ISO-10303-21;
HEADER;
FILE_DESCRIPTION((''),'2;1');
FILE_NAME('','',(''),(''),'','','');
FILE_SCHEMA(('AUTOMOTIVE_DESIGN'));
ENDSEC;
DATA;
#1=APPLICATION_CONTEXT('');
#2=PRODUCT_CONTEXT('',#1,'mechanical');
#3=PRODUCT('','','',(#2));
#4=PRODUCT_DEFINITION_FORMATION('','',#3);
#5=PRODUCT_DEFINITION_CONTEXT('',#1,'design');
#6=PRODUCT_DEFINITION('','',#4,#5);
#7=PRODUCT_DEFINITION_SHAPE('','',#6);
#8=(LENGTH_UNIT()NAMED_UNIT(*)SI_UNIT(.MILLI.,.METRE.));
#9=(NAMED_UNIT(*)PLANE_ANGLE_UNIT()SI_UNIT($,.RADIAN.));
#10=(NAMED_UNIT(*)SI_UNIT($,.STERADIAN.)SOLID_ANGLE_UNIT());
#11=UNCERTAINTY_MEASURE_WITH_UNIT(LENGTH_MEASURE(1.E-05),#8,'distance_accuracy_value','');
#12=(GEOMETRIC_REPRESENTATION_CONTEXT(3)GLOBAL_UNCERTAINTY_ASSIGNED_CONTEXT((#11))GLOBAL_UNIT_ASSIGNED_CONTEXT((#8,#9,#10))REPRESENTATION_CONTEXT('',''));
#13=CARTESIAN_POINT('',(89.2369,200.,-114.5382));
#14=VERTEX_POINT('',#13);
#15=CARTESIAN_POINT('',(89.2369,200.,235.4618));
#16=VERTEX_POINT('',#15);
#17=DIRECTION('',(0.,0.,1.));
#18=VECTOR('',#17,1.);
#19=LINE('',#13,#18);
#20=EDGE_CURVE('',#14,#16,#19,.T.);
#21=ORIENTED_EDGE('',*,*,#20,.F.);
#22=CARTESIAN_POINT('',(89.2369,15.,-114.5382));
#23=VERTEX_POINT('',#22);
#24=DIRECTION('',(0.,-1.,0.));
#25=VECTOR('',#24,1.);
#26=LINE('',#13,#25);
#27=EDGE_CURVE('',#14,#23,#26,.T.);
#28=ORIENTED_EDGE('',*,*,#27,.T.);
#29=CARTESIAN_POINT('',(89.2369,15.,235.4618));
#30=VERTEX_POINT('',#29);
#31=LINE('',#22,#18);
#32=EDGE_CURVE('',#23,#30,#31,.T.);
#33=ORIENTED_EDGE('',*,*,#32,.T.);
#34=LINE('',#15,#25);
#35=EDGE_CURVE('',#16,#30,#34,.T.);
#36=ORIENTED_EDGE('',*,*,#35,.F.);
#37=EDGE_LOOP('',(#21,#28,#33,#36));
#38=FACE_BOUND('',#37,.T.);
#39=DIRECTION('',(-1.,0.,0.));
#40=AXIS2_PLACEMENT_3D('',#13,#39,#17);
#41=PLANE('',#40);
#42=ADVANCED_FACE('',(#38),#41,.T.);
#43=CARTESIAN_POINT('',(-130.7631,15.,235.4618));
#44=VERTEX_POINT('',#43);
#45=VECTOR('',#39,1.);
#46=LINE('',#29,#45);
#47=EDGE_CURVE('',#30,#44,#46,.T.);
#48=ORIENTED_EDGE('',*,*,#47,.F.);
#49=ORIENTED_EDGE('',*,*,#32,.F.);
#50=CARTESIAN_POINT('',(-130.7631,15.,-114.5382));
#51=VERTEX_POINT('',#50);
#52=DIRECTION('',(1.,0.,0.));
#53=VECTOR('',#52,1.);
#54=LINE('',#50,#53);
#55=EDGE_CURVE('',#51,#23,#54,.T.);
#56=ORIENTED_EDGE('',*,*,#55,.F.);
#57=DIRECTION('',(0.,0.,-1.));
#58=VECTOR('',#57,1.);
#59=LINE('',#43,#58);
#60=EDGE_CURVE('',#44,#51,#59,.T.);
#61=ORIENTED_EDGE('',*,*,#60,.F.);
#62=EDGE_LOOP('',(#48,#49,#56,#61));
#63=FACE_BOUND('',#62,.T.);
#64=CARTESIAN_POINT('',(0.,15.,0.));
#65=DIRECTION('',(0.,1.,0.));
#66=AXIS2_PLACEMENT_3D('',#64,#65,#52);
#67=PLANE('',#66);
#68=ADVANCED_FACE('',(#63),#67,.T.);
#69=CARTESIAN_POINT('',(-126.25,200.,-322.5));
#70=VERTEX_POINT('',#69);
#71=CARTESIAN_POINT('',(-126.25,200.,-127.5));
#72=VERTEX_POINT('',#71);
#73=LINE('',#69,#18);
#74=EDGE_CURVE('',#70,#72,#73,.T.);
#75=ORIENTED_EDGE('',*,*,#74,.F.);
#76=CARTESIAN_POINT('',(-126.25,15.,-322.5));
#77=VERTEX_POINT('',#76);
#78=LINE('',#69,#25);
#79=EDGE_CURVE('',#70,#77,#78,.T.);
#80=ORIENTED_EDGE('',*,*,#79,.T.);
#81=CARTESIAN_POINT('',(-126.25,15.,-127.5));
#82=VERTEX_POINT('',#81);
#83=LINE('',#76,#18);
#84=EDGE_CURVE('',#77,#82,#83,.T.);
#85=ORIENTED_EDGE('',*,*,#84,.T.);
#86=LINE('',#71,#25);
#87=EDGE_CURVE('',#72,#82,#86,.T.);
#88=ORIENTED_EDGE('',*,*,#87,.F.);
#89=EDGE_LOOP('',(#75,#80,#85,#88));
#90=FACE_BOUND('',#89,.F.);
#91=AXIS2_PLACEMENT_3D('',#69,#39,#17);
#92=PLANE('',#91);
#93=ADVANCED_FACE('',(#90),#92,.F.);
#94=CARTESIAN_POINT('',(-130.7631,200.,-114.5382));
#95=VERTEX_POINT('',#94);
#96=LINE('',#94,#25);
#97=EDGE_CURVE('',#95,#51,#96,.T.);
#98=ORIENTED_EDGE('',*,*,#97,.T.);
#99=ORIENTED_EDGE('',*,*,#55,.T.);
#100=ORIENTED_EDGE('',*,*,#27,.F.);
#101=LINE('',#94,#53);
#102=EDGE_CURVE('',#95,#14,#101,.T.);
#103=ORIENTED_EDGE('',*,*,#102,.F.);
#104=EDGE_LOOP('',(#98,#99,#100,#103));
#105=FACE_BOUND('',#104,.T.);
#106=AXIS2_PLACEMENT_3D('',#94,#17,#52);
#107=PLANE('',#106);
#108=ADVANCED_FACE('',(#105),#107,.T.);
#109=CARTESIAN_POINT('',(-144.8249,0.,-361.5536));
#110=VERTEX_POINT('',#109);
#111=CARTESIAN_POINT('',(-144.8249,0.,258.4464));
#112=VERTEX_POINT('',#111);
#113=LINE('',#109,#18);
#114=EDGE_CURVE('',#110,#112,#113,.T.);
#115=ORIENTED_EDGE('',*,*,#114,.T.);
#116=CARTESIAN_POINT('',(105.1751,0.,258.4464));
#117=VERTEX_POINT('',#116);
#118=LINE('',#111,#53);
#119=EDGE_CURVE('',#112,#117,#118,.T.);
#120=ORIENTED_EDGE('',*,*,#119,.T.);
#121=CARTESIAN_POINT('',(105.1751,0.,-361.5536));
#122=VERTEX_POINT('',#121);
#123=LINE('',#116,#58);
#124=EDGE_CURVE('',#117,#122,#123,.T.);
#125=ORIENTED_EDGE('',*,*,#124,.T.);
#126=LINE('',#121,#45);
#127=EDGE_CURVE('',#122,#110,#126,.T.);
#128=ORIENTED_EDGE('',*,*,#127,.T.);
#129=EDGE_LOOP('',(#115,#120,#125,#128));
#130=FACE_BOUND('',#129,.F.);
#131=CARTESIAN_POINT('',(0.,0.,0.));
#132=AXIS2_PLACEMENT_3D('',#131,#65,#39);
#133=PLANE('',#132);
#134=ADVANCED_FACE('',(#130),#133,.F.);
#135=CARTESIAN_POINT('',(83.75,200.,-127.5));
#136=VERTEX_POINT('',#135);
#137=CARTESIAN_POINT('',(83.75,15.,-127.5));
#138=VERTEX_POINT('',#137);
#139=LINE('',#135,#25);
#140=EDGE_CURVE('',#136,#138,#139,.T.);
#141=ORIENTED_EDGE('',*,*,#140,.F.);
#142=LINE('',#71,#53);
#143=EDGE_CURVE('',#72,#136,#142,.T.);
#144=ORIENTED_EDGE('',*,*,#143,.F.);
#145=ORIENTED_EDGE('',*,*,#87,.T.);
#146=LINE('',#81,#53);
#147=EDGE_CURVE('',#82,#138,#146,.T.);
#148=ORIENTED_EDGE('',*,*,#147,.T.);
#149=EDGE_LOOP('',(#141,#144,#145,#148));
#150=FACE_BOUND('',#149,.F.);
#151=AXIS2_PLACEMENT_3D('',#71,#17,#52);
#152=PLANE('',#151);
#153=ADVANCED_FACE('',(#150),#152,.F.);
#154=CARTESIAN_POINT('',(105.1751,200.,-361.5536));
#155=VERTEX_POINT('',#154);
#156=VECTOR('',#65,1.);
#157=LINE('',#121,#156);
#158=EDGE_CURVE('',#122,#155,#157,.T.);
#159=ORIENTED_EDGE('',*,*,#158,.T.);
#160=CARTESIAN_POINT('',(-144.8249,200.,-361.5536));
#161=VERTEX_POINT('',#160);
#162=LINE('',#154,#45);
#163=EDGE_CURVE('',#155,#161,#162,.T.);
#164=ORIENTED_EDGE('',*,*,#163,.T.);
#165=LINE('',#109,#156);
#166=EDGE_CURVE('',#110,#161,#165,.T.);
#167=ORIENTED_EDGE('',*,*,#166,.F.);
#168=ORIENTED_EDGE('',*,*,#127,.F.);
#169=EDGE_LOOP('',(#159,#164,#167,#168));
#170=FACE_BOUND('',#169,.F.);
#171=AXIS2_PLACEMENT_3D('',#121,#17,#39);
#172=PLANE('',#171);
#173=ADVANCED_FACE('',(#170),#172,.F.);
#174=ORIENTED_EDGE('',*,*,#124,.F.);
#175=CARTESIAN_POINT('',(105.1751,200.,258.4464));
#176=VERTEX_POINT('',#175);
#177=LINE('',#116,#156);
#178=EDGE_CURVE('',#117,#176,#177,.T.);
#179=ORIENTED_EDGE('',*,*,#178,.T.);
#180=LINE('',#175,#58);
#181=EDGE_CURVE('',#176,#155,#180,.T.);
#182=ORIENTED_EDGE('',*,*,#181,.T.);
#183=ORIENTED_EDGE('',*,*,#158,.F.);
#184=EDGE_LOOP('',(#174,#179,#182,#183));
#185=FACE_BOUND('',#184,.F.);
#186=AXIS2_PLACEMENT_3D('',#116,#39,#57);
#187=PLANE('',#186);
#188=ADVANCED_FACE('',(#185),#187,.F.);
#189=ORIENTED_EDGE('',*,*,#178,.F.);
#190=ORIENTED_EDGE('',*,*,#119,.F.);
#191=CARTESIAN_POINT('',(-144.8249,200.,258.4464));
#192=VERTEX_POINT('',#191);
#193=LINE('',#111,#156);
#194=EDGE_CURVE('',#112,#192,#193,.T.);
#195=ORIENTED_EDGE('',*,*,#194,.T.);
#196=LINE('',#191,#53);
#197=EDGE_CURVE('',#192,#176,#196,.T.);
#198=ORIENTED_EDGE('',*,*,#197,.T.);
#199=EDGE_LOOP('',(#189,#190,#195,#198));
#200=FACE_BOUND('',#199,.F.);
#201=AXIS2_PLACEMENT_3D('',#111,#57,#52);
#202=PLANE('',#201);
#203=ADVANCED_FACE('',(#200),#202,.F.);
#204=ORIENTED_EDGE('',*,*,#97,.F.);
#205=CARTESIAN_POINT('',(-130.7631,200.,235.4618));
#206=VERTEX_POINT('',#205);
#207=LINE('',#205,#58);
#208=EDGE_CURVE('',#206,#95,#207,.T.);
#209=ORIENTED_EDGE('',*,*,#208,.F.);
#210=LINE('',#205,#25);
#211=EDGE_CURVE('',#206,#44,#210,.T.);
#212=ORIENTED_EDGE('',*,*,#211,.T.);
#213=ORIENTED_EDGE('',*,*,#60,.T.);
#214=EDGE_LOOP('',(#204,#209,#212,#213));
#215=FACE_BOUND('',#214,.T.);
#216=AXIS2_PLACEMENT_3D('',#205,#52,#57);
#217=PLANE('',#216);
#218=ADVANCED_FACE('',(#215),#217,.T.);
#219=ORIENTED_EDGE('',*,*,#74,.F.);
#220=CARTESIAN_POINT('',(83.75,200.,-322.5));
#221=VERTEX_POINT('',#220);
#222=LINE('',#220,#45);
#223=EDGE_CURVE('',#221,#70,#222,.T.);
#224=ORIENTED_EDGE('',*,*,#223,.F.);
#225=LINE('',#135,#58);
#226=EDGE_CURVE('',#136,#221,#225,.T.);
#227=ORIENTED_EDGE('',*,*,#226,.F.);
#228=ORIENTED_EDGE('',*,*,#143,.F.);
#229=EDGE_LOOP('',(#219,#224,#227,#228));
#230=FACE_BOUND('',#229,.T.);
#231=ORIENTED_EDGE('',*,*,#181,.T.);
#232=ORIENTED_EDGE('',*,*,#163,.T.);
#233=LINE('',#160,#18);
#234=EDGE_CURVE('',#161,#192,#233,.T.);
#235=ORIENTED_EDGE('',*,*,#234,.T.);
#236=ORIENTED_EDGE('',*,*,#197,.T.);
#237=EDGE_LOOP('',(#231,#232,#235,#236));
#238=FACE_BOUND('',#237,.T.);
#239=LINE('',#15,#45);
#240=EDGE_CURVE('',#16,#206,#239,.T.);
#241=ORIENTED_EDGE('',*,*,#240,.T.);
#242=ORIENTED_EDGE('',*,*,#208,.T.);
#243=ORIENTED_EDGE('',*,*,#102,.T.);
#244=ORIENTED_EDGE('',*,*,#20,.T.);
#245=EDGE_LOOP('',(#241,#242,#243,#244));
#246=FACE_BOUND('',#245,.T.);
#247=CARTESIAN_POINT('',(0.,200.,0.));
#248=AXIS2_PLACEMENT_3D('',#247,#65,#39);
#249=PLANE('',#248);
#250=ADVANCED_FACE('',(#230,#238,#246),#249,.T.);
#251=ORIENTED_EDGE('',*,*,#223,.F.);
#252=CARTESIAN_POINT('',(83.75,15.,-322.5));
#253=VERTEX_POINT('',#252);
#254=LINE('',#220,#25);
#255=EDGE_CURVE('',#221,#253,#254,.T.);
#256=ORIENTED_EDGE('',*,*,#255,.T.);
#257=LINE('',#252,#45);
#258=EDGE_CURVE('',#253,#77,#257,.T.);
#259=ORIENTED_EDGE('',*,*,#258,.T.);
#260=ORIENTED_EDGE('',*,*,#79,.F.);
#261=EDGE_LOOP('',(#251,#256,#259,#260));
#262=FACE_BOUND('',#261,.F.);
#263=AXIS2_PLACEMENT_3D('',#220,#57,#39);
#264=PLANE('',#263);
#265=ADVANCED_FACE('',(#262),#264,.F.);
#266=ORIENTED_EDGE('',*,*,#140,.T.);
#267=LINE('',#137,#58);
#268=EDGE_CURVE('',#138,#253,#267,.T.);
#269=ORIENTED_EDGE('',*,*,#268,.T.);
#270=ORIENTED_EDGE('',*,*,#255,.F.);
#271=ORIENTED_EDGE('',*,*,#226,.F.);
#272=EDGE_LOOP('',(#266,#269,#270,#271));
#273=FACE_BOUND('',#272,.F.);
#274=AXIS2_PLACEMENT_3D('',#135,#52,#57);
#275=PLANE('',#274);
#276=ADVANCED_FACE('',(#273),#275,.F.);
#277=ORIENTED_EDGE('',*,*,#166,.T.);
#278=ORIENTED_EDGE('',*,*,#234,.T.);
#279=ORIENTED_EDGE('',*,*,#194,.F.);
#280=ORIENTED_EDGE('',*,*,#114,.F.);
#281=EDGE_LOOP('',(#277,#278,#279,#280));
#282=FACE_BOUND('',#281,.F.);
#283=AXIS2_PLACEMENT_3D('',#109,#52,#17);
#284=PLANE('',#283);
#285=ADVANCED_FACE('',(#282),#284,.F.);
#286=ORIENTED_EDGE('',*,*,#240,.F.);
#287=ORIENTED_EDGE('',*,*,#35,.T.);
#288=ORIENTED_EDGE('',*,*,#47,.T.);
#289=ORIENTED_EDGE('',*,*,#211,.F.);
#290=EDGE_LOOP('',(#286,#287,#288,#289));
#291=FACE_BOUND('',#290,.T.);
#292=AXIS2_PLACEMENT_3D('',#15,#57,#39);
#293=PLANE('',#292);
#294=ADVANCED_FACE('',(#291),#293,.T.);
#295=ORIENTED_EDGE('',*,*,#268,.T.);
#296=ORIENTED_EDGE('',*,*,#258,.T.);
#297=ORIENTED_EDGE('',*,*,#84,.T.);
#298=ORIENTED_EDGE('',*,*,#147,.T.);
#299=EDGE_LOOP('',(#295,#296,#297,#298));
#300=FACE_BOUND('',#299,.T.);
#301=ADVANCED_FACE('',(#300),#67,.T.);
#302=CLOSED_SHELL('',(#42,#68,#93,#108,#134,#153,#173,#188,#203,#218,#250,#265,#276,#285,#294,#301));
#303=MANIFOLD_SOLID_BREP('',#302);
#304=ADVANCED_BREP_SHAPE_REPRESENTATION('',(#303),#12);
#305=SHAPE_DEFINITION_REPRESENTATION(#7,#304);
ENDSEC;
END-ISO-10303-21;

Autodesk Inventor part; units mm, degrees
ref_plane "YZ Plane" through (0, 0, 0) normal (1, 0, 0) x (0, 1, 0)
ref_plane "XZ Plane" through (0, 0, 0) normal (0, 1, 0) x (-1, 0, 0)
ref_plane "XY Plane" through (0, 0, 0) normal (0, 0, 1) x (1, 0, 0)
sketch "Sketch1" plane through (0, 0, 0) normal (0, 1, 0) x (-1, 0, 0)
  line L0 (144.8249, 258.4464) -> (-105.1751, 258.4464)
  line L1 (-105.1751, 258.4464) -> (-105.1751, -361.5536)
  line L2 (-105.1751, -361.5536) -> (144.8249, -361.5536)
  line L3 (144.8249, -361.5536) -> (144.8249, 258.4464)
  point P0 (0, 0)
  dimension "d0" = 620
  dimension "d1" = 250
extrude "Extrusion1" add sketch "Sketch1" along normal blind 200
sketch "Sketch2" plane through (0, 200, 0) normal (0, 1, 0) x (1, 0, 0)
  line L0 (89.2369, -235.4618) -> (-130.7631, -235.4618)
  line L1 (-130.7631, -235.4618) -> (-130.7631, 114.5382)
  line L2 (-130.7631, 114.5382) -> (89.2369, 114.5382)
  line L3 (89.2369, 114.5382) -> (89.2369, -235.4618)
  point P0 (0, 0)
  dimension "d4" = 220
  dimension "d5" = 350
extrude "Extrusion2" cut sketch "Sketch2" against normal blind 185
sketch "Sketch3" plane through (0, 200, 0) normal (0, 1, 0) x (1, 0, 0)
  line L0 (-126.25, 127.5) -> (83.75, 127.5)
  line L1 (83.75, 127.5) -> (83.75, 322.5)
  line L2 (83.75, 322.5) -> (-126.25, 322.5)
  line L3 (-126.25, 322.5) -> (-126.25, 127.5)
  point P0 (0, 0)
  dimension "d8" = 210
  dimension "d9" = 195
extrude "Extrusion3" cut sketch "Sketch3" against normal blind 185
properties part number "collector"
